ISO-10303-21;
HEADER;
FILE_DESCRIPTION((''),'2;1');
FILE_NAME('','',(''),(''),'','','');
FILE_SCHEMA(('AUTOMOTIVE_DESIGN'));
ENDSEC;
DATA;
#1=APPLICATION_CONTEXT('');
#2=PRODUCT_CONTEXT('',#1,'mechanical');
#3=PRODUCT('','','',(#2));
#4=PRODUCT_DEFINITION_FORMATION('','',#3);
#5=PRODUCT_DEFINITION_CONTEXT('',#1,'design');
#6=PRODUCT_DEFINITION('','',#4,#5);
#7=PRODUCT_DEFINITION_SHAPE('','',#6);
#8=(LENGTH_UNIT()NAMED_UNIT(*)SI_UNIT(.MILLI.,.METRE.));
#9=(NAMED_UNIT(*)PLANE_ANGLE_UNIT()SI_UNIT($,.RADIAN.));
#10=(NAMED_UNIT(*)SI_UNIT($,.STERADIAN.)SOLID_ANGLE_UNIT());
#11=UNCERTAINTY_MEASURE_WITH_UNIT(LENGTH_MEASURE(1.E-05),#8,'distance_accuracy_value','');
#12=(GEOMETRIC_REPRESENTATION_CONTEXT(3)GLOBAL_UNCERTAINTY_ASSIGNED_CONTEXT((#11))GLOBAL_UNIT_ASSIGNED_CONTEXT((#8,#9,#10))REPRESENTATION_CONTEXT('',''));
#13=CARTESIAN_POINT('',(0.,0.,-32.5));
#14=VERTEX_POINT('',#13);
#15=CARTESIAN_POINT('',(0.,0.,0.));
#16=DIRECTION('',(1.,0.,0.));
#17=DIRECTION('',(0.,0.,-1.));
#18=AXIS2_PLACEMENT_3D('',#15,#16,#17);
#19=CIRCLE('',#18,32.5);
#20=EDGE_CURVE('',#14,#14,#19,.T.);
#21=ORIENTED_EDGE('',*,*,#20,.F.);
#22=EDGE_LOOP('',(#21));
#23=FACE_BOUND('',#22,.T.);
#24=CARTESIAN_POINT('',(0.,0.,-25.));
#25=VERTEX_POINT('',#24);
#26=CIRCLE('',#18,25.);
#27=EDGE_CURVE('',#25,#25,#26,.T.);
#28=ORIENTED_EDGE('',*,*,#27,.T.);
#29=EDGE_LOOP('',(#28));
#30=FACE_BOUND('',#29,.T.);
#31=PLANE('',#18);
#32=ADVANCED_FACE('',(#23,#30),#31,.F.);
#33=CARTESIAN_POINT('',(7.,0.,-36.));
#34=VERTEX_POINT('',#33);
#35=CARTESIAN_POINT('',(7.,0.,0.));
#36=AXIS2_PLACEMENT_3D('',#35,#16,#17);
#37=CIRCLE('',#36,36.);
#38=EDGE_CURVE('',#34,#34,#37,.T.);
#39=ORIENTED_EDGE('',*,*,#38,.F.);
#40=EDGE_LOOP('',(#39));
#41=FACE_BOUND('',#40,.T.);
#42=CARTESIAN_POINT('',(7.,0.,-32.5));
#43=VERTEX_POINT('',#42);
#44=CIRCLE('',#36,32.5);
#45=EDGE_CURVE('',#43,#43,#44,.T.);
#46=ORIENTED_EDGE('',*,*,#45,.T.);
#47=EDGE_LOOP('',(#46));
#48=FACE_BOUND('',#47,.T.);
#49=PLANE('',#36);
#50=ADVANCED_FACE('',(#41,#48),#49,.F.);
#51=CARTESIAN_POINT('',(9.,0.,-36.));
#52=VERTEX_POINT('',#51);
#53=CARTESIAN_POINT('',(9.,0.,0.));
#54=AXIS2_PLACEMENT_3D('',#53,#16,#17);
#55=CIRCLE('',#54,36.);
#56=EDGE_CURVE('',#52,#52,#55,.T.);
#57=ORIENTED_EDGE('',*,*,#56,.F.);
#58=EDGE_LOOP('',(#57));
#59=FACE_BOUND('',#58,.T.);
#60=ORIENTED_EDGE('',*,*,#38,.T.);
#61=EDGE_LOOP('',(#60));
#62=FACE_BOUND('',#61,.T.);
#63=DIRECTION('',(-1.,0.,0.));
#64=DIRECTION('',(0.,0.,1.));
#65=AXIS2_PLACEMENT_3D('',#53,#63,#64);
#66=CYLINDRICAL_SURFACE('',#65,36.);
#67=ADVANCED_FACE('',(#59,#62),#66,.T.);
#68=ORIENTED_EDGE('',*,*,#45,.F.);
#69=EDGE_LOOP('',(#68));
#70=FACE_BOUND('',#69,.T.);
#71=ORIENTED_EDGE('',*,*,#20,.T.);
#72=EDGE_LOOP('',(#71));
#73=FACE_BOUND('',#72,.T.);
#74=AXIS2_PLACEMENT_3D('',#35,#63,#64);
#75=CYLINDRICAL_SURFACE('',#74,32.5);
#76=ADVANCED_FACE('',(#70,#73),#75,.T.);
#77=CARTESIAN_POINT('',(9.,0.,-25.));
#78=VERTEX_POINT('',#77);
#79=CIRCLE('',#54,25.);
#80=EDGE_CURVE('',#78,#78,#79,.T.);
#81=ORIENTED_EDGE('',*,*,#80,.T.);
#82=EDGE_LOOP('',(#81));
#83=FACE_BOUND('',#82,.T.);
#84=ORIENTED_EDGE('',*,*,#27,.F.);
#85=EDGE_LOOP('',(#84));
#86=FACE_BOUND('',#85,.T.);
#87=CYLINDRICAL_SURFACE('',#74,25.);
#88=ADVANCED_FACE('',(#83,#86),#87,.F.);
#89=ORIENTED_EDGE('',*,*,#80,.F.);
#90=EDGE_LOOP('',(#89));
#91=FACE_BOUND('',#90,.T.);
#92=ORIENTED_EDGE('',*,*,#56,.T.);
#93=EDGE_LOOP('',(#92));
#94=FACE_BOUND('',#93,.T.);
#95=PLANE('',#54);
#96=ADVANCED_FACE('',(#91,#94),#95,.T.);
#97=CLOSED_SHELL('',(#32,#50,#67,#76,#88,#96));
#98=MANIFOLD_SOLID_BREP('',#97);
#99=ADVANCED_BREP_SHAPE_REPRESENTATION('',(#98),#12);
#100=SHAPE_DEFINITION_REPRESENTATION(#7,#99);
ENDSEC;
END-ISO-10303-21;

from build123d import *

# Parameters (mm, degrees)
SKETCH1_R           = 32.5
SKETCH1_R_2         = 25
BOSS_EXTRUDE1_DEPTH = 7
SKETCH2_R           = 36
SKETCH2_R_2         = 25
BOSS_EXTRUDE2_DEPTH = 2


with BuildPart() as part:
    # Sketch1 → Boss-Extrude1 (new body)
    with BuildSketch(Plane(origin=(0, 0, 0), x_dir=(0, 0, -1), z_dir=(1, 0, 0))):
        Circle(SKETCH1_R)
        Circle(SKETCH1_R_2, mode=Mode.SUBTRACT)
    extrude(amount=BOSS_EXTRUDE1_DEPTH)

    # Sketch2 → Boss-Extrude2 (add)
    with BuildSketch(Plane(origin=(7, 0, 0), x_dir=(0, 0, -1), z_dir=(1, 0, 0))):
        Circle(SKETCH2_R)
        Circle(SKETCH2_R_2, mode=Mode.SUBTRACT)
    extrude(amount=BOSS_EXTRUDE2_DEPTH)


solid = part.part
